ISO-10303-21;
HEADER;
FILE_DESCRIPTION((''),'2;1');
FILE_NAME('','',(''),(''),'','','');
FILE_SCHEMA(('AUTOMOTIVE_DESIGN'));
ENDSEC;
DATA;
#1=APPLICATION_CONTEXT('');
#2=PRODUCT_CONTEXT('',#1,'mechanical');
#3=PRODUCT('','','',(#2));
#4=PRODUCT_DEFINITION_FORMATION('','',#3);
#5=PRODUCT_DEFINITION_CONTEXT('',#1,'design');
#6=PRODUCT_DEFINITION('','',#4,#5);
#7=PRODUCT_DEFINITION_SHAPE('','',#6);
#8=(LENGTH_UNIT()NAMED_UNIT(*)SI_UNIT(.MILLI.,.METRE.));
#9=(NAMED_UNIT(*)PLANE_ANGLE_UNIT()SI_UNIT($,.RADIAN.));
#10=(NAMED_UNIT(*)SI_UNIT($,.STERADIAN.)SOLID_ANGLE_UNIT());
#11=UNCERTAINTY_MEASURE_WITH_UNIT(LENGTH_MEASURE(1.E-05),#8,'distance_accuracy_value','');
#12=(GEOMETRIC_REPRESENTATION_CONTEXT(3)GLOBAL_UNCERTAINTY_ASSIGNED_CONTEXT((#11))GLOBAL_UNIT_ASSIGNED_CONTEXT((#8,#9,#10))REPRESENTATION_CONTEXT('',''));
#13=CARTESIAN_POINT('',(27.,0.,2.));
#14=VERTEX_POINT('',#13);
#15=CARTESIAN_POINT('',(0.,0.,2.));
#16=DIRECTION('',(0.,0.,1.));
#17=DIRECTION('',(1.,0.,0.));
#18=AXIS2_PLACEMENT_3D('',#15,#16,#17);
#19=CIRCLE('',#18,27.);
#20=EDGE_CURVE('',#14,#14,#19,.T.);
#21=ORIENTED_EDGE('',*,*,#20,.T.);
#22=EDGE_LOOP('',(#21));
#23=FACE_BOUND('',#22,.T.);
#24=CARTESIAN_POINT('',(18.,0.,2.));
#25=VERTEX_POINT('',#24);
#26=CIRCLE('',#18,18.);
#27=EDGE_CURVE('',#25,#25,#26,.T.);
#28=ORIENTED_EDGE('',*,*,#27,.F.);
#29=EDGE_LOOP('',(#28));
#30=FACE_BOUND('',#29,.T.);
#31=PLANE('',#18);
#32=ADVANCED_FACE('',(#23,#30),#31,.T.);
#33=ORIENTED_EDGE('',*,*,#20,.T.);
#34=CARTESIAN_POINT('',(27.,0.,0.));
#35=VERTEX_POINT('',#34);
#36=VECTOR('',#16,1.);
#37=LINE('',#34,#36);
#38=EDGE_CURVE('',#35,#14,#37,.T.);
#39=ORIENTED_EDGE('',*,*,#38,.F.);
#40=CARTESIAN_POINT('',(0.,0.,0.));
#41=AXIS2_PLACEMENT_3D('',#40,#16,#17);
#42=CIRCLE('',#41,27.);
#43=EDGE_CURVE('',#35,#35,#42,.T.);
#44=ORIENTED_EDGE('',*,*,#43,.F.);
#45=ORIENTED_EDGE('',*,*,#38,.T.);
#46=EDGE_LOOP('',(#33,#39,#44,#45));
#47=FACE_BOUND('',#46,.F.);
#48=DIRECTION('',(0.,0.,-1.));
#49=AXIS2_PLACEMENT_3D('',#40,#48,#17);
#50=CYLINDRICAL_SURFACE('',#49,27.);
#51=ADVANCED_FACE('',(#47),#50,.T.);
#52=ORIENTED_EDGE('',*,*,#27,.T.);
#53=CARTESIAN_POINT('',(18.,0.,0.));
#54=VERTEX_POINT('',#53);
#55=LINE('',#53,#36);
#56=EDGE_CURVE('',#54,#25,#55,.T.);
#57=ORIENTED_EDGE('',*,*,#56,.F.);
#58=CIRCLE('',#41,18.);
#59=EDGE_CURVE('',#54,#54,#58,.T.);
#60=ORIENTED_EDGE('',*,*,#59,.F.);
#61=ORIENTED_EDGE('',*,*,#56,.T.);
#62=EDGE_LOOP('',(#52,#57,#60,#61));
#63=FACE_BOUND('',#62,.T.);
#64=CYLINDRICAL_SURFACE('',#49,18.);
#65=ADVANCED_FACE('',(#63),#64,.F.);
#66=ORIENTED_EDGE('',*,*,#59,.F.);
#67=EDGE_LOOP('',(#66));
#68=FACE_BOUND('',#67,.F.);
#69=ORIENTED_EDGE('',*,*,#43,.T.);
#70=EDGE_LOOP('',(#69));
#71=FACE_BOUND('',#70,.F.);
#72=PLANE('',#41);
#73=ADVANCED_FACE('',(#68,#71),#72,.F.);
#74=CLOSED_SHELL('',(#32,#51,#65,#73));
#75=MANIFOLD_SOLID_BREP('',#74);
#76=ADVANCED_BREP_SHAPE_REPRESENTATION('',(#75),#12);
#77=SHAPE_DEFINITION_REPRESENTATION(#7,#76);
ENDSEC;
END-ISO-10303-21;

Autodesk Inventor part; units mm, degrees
ref_plane "YZ Plane" through (0, 0, 0) normal (1, 0, 0) x (0, 1, 0)
ref_plane "XZ Plane" through (0, 0, 0) normal (0, 1, 0) x (-1, 0, 0)
ref_plane "XY Plane" through (0, 0, 0) normal (0, 0, 1) x (1, 0, 0)
sketch "Skizze1" plane through (0, 0, 0) normal (0, 0, 1) x (1, 0, 0)
  circle A0 centre (0, 0) radius 18
  circle A1 centre (0, 0) radius 27
  dimension "d0" = 36
  dimension "d1" = 54
extrude "Extrusion1" add sketch "Skizze1" along normal blind 2
properties part number "spacer_3D-Druck"
